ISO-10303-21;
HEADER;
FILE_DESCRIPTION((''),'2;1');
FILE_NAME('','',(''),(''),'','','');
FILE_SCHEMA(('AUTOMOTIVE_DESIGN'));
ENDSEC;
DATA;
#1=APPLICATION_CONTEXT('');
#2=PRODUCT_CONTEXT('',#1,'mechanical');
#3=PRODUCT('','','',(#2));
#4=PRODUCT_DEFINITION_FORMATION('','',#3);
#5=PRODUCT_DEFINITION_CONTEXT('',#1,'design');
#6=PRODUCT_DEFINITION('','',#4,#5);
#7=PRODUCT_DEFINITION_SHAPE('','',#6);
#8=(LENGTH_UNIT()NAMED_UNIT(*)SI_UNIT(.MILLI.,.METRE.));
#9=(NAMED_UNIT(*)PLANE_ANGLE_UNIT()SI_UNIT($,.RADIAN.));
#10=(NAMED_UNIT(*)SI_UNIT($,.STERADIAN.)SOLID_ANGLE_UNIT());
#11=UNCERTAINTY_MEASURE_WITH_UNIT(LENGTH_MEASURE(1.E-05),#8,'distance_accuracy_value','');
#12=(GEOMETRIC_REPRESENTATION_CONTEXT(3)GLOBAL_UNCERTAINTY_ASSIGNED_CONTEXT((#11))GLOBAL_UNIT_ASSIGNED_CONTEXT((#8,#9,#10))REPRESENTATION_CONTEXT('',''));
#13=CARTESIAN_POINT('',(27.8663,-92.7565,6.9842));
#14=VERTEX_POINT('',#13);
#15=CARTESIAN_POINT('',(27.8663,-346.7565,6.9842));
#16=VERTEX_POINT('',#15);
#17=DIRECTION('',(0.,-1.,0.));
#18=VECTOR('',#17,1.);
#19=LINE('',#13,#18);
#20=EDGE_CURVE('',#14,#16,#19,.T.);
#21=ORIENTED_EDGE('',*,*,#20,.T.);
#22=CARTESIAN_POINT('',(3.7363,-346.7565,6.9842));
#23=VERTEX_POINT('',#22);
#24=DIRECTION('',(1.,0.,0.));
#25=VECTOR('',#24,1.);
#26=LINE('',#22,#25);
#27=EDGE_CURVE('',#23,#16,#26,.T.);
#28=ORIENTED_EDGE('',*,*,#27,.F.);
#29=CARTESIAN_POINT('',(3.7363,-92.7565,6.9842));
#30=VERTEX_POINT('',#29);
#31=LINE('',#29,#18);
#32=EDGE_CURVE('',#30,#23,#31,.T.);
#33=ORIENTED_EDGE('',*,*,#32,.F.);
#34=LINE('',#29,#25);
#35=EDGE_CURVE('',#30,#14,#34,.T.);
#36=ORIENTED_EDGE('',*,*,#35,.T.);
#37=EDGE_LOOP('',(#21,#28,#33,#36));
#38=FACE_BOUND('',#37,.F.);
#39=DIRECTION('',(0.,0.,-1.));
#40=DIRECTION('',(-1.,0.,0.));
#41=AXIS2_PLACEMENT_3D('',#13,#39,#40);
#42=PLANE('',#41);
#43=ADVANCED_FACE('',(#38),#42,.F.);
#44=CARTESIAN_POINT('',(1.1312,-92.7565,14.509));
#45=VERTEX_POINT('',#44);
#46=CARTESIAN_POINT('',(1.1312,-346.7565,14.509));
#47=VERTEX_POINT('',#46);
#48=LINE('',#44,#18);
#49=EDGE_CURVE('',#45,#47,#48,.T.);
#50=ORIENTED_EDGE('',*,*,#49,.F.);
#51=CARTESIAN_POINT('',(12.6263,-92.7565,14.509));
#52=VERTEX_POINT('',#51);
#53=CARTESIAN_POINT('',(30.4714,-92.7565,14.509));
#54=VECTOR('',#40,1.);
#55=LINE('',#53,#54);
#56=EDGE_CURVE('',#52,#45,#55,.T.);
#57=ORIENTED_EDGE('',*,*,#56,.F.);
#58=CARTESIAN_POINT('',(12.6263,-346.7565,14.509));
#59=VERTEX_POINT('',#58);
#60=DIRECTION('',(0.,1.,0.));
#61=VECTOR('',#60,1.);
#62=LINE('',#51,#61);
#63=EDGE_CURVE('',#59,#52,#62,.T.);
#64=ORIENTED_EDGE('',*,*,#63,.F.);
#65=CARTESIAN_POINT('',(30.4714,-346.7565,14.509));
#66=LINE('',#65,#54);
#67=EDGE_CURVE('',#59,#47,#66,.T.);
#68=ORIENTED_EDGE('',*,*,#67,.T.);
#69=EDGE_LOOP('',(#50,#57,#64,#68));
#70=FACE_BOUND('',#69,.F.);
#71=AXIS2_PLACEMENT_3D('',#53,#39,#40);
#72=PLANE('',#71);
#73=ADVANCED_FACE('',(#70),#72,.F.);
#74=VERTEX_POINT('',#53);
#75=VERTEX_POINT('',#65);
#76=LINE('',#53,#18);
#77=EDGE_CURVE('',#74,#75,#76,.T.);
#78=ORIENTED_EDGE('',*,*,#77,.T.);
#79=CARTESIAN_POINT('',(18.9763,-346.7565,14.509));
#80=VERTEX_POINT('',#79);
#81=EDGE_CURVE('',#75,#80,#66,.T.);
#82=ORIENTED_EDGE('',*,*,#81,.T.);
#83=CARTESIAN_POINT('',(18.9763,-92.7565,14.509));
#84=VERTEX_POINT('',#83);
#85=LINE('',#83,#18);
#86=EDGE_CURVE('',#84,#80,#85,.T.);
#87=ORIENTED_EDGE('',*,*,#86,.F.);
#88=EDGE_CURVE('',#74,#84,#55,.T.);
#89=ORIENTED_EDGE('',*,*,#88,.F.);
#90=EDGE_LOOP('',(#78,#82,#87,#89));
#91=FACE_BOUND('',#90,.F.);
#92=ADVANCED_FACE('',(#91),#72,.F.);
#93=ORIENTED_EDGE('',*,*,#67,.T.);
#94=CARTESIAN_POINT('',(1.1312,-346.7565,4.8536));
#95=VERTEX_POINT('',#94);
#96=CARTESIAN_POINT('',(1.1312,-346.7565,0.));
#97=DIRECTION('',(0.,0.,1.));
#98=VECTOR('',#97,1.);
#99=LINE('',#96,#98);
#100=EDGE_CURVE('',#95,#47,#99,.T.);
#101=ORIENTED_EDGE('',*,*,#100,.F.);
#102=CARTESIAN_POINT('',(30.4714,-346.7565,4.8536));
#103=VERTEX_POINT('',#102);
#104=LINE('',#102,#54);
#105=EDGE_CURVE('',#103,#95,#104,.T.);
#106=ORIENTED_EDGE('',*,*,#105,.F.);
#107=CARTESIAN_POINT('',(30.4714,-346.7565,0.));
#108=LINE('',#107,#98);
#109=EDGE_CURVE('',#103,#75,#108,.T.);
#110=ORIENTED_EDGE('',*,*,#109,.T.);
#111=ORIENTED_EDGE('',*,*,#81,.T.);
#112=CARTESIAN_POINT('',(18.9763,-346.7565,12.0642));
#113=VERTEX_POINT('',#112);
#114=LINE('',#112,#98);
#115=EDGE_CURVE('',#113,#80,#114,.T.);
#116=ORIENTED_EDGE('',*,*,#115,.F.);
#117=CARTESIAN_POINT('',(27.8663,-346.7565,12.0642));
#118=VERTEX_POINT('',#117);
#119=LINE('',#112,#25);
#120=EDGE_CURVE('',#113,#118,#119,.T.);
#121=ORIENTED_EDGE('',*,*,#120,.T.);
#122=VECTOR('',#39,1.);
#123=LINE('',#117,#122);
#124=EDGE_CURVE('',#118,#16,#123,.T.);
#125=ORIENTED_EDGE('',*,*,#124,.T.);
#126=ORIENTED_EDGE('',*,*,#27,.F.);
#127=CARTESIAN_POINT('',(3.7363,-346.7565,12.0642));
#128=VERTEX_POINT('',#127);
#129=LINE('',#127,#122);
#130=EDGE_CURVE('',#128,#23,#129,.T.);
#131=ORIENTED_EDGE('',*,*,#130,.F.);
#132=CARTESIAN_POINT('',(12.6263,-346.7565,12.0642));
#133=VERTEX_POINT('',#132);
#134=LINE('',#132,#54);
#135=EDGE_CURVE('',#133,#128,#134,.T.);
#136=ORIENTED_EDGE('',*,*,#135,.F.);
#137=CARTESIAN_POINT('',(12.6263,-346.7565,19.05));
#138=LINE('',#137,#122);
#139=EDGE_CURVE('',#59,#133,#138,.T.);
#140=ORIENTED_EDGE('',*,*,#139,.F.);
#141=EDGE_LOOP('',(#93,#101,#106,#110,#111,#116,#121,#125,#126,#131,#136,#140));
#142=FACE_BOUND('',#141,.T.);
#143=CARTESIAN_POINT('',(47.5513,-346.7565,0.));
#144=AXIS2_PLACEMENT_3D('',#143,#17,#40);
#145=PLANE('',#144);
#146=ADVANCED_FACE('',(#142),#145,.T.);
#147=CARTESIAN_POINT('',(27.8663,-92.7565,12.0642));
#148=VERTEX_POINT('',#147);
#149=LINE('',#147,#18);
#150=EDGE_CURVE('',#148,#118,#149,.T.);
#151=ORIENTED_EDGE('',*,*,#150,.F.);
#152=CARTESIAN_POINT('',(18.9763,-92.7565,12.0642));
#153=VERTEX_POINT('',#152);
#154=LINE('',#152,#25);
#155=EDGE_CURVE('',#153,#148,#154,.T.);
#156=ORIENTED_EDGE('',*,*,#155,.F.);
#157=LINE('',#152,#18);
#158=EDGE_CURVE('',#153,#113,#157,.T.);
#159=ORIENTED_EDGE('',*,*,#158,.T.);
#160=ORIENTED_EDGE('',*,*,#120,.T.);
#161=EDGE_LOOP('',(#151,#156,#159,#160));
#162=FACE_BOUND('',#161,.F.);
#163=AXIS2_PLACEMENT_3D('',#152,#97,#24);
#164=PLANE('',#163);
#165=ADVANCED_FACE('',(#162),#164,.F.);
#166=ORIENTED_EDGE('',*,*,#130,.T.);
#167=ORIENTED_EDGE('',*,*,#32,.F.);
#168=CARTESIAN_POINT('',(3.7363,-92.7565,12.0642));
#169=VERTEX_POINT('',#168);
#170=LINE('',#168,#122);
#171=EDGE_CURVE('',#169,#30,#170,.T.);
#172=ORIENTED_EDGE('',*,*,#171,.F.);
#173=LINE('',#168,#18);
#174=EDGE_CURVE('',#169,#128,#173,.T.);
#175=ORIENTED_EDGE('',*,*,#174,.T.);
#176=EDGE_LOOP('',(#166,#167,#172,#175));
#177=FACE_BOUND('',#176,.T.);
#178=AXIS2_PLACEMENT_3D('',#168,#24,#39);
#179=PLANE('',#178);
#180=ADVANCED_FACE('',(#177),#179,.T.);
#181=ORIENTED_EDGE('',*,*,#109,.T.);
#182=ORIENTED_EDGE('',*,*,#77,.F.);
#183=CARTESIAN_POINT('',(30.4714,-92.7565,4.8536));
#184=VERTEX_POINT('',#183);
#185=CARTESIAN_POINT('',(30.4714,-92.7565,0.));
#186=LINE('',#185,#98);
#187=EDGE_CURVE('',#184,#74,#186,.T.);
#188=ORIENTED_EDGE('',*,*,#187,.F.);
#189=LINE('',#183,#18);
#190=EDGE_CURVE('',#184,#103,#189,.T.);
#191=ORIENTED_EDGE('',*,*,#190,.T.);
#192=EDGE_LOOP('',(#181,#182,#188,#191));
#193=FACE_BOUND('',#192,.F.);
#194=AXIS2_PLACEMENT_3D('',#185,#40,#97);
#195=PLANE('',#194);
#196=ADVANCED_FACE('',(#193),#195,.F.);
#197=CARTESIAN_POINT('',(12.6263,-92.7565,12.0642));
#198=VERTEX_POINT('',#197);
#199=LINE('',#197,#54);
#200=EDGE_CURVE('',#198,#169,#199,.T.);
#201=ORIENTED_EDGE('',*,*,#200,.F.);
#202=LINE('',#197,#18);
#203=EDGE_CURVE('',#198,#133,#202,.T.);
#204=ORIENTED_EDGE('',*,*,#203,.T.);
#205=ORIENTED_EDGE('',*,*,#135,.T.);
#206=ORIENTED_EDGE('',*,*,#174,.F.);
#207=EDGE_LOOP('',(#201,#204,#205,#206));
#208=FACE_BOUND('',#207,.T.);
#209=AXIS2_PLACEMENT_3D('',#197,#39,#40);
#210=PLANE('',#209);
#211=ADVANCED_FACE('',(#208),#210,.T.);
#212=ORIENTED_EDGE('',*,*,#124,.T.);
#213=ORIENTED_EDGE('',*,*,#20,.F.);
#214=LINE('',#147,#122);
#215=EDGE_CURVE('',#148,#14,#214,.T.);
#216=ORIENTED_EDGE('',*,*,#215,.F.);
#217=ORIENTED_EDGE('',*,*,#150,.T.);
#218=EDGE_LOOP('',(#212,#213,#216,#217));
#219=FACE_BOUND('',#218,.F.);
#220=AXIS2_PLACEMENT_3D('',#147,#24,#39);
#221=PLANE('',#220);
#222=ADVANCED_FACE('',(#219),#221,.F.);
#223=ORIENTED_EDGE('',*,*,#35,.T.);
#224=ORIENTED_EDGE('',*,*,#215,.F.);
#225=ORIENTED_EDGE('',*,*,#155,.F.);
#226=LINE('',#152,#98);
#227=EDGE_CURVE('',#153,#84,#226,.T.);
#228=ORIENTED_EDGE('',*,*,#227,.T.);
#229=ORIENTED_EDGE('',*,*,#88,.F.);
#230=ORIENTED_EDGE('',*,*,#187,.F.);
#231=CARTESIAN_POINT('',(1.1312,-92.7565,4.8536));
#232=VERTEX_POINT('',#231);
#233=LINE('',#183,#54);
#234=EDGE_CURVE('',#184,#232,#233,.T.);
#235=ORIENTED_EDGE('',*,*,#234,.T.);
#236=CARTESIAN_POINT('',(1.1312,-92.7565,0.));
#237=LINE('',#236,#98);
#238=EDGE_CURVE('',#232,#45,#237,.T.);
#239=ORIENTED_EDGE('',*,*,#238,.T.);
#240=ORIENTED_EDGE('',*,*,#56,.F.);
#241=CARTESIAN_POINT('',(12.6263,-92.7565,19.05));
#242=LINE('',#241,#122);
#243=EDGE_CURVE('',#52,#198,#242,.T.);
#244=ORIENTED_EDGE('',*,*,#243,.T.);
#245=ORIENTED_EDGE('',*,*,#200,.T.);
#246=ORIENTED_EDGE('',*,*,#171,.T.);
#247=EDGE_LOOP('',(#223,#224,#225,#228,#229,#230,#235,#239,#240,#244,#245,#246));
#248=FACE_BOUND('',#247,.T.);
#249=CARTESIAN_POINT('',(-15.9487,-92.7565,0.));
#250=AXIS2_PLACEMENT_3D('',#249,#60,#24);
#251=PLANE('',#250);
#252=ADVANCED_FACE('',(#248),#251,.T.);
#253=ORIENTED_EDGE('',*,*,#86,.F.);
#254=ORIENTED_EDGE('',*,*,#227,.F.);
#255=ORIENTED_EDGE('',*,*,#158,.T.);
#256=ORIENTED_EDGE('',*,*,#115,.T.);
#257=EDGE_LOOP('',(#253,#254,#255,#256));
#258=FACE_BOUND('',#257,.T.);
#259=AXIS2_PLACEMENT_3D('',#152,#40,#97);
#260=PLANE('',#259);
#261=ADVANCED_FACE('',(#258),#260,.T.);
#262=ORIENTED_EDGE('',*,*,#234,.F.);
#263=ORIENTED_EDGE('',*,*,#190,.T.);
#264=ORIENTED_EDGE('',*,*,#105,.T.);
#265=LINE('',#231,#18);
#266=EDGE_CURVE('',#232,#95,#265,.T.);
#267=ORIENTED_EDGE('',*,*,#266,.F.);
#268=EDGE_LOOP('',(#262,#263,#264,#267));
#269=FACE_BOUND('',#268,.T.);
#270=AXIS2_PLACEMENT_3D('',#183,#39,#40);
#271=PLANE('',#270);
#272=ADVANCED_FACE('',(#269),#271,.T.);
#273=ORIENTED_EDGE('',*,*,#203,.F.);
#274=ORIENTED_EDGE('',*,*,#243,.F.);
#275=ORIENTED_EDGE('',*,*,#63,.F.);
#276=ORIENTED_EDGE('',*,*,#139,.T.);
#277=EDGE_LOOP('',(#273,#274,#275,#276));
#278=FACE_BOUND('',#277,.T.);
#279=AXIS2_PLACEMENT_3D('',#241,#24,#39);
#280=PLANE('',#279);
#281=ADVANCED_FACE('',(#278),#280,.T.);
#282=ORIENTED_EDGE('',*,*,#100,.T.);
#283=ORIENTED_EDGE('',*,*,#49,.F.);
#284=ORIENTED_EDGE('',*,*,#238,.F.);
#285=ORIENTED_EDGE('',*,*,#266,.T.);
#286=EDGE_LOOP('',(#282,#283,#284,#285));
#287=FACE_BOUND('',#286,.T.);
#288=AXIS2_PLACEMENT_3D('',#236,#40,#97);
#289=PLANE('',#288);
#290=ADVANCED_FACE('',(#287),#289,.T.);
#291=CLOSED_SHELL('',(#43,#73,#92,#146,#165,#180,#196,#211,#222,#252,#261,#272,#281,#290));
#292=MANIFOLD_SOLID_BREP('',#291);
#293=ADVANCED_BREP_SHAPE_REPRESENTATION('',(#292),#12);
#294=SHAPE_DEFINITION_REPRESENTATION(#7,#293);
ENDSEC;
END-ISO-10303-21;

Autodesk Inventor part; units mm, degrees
ref_plane "YZ Plane" through (0, 0, 0) normal (1, 0, 0) x (0, 1, 0)
ref_plane "XZ Plane" through (0, 0, 0) normal (0, 1, 0) x (-1, 0, 0)
ref_plane "XY Plane" through (0, 0, 0) normal (0, 0, 1) x (1, 0, 0)
sketch "Sketch1" plane through (0, 0, 0) normal (0, 0, 1) x (1, 0, 0)
  line L0 (-15.9487, -92.7565) -> (47.5513, -92.7565)
  line L1 (47.5513, -92.7565) -> (47.5513, -346.7565)
  line L2 (47.5513, -346.7565) -> (-15.9487, -346.7565)
  line L3 (-15.9487, -346.7565) -> (-15.9487, -92.7565)
  point P0 (0, 0)
  dimension "d0" = 63.5
  dimension "d2" = 254
extrude "Extrusion1" add sketch "Sketch1" along normal blind 19.05
sketch "Sketch2" plane through (-15.9487, -92.7565, 0) normal (0, 1, 0) x (1, 0, 0)
  point P0 (15.9487, 0)
sketch "Sketch3" plane through (-15.9487, -92.7565, 0) normal (0, 1, 0) x (1, 0, 0)
  line L0 (63.5, -19.05) -> (0, -19.05) projected
  line L1 (34.925, -19.05) -> (28.575, -19.05)
  line L2 (28.575, -19.05) -> (28.575, -12.0642)
  line L3 (34.925, -12.0642) -> (34.925, -19.05)
  line L4 (31.75, -19.05) -> (31.75, 0) construction
  line L5 (63.5, 0) -> (63.5, -19.05) projected
  line L6 (28.575, -12.0642) -> (19.685, -12.0642)
  line L7 (19.685, -12.0642) -> (19.685, -6.9842)
  line L8 (19.685, -6.9842) -> (28.575, -6.9842)
  line L9 (34.925, -12.0642) -> (43.815, -12.0642)
  line L10 (43.815, -12.0642) -> (43.815, -6.9842)
  line L11 (43.815, -6.9842) -> (34.925, -6.9842)
  line L12 (34.925, -6.9842) -> (28.575, -6.9842)
  point P0 (15.9487, 0)
  dimension "d6" = 31.75
  dimension "d7" = 8.89
  dimension "d8" = 5.08
  dimension "d9" = 8.89
extrude "Extrusion2" cut sketch "Sketch3" against normal blind 254
sketch "Sketch4" plane through (-15.9487, -92.7565, 0) normal (0, 1, 0) x (1, 0, 0)
  line L0 (63.5, 0) -> (63.5, -19.05) projected
  line L1 (63.5, 0) -> (46.4201, 0)
  line L2 (46.4201, 0) -> (46.4201, -19.05)
  line L3 (46.4201, -19.05) -> (63.5, -19.05)
  line L4 (63.5, -19.05) -> (63.5, 0)
  line L5 (63.5, 0) -> (0, 0) projected
  line L6 (31.75, 0) -> (31.75, -19.05) construction
  line L7 (0, 0) -> (0, -19.05)
  line L8 (0, 0) -> (17.0799, 0)
  line L9 (17.0799, 0) -> (17.0799, -19.05)
  line L10 (0, -19.05) -> (17.0799, -19.05)
  point P0 (15.9487, 0)
extrude "Extrusion3" cut sketch "Sketch4" against normal blind 254
sketch "Sketch5" plane through (3.7363, -92.7565, 6.9842) normal (0, 1, 0) x (1, 0, 0)
  line L0 (-2.6051, 6.9842) -> (-2.6051, -12.0658) projected
  line L1 (26.7351, 6.9842) -> (26.7351, -12.0658) projected
  line L2 (-2.6051, 6.9842) -> (26.7351, 6.9842)
  line L3 (26.7351, 6.9842) -> (26.7351, 2.1306)
  line L4 (26.7351, 2.1306) -> (-2.6051, 2.1306)
  line L5 (-2.6051, 2.1306) -> (-2.6051, 6.9842)
  point P0 (-3.7363, 6.9842)
extrude "Extrusion4" cut sketch "Sketch5" against normal blind 254
sketch "Sketch6" plane through (3.7363, -92.7565, 6.9842) normal (0, 1, 0) x (1, 0, 0)
  line L0 (-2.6051, -12.0658) -> (-2.6051, 2.1306) projected
  line L1 (26.7351, 2.1306) -> (26.7351, -12.0658) projected
  line L2 (-2.6051, -12.0658) -> (26.7351, -12.0658)
  line L3 (26.7351, -12.0658) -> (26.7351, -7.5248)
  line L4 (26.7351, -7.5248) -> (-2.6051, -7.5248)
  line L5 (-2.6051, -7.5248) -> (-2.6051, -12.0658)
  point P0 (-3.7363, 6.9842)
extrude "Extrusion5" cut sketch "Sketch6" against normal blind 254
properties part number "crossbowtrack"
